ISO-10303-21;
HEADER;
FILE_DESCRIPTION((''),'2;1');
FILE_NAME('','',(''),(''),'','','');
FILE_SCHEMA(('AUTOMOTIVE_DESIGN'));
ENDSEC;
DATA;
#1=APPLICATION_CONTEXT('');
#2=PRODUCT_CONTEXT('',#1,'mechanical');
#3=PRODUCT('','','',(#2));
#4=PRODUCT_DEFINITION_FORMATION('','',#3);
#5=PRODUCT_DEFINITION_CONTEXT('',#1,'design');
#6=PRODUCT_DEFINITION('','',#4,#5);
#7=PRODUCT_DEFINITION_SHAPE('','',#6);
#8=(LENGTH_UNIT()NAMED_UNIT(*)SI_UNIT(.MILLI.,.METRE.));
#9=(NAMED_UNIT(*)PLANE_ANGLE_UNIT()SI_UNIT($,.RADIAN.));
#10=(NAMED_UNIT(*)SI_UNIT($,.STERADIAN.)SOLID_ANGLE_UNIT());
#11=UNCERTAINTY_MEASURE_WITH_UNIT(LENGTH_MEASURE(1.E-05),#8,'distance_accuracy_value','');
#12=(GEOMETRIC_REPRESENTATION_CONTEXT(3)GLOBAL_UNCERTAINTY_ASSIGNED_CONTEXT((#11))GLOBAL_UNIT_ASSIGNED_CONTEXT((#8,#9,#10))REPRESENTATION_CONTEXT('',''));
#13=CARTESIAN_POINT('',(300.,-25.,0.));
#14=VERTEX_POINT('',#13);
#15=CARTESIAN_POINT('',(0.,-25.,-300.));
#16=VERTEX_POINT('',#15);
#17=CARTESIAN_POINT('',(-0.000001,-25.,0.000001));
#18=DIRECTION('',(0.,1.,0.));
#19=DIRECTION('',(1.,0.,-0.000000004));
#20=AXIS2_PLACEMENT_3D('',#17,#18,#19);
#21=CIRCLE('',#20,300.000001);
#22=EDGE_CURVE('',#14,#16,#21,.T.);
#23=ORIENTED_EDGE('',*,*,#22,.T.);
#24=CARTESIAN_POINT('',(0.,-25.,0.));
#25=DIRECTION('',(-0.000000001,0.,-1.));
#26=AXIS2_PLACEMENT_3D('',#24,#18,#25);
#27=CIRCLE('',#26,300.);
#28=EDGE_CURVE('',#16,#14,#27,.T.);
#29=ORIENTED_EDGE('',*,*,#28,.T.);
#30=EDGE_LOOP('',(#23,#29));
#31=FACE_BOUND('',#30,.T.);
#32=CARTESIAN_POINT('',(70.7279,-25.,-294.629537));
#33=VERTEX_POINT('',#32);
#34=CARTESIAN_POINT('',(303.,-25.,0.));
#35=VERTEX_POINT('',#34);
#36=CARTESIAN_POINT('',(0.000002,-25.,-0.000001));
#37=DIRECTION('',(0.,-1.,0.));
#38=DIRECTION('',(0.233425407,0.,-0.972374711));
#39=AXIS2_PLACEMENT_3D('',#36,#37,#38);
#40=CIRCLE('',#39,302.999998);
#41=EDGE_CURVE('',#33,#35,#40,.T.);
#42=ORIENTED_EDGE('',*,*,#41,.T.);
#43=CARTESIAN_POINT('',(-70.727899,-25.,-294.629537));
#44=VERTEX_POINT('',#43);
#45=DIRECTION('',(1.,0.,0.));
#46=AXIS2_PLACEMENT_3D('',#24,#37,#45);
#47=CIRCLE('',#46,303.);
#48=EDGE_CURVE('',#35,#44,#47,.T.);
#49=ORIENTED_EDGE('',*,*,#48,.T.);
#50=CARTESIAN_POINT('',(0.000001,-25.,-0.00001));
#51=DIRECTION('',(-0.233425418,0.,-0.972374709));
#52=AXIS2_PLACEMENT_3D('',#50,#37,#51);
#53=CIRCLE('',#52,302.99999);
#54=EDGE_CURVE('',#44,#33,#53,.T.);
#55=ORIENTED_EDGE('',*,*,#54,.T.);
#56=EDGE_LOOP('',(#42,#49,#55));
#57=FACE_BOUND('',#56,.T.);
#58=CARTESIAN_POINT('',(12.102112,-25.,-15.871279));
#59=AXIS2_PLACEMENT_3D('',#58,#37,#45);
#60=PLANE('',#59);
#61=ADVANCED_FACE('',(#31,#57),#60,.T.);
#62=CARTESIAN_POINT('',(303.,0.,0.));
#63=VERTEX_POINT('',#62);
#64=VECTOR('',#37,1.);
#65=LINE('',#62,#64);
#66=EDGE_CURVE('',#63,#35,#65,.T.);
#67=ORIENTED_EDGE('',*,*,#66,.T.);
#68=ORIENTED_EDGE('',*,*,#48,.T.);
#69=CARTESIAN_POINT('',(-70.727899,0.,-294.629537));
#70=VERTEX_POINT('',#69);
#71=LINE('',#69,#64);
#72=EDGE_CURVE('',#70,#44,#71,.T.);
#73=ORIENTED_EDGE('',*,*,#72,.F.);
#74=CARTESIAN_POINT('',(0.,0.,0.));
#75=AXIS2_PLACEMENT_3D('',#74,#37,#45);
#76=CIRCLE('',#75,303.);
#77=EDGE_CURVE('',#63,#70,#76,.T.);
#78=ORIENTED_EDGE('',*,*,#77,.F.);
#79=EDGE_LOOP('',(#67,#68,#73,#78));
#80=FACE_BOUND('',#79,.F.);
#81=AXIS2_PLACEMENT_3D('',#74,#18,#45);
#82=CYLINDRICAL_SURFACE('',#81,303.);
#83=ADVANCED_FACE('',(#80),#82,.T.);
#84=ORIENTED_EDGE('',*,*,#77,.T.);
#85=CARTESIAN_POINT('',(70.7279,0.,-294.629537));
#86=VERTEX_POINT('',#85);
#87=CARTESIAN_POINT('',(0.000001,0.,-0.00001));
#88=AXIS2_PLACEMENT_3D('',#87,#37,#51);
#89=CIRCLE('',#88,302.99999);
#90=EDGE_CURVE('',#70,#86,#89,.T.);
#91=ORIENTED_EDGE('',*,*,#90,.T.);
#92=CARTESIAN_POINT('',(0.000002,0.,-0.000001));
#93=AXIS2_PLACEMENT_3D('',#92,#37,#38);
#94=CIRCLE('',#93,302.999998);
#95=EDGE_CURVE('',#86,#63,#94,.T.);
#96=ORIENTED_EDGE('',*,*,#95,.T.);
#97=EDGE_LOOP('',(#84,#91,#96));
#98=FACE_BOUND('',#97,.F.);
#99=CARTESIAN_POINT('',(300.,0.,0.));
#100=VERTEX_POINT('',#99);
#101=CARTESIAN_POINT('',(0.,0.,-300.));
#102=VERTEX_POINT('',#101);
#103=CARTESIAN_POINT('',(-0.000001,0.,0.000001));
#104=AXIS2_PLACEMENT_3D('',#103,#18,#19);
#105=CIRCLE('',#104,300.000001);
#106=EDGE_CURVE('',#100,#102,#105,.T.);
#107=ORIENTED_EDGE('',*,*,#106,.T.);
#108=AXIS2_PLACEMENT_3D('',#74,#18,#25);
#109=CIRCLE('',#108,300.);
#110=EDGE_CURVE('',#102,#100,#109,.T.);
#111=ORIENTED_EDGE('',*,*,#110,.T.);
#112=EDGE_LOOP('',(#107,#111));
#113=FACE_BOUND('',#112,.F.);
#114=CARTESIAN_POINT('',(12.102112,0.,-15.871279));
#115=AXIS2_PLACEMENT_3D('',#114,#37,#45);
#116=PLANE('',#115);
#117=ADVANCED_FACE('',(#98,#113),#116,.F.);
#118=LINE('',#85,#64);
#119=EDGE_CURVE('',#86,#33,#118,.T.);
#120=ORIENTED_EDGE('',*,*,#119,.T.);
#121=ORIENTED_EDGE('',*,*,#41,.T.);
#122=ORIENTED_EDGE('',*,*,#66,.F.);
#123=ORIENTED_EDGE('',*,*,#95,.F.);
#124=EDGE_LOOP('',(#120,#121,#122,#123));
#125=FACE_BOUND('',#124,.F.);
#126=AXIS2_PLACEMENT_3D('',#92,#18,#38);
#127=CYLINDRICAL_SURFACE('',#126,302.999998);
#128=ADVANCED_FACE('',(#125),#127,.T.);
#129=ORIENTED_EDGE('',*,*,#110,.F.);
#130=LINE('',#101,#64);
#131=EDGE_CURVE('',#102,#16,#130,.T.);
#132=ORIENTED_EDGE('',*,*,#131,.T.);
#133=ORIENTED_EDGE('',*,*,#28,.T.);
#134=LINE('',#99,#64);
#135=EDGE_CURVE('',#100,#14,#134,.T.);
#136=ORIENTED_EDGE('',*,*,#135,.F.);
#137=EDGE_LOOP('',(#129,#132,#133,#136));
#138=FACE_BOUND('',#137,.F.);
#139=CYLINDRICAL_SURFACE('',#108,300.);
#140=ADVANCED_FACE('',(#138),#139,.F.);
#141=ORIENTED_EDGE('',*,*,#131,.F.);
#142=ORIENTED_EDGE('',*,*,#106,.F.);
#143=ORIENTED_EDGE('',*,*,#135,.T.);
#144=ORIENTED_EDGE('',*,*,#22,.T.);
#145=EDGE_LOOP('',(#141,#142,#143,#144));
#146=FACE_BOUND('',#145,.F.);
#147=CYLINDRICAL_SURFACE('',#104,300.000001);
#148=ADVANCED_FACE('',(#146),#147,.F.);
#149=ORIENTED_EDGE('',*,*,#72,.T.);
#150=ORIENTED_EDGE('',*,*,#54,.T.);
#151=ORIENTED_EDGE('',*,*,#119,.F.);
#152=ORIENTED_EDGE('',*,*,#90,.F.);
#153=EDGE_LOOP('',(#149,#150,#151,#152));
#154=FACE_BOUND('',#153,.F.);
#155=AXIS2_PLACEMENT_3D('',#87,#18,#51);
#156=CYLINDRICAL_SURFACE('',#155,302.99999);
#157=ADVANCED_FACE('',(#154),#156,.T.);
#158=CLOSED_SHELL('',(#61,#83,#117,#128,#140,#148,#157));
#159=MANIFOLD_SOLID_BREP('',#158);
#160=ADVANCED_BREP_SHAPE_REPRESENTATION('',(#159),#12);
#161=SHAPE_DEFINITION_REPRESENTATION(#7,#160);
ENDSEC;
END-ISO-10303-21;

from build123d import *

# Parameters (mm, degrees)
F1_DEPTH = 25


with BuildPart() as f1:
    # F0 (on Front) → F1 (new body)
    with BuildSketch(Plane.XZ):
        with BuildLine():
            ThreePointArc((70.7279, -294.629537), (237.949106, -187.587908), (303, 0))
            ThreePointArc((303, 0), (-187.587908, 237.949105), (-70.727899, -294.629537))
            ThreePointArc((-70.727899, -294.629537), (0, -303), (70.7279, -294.629537))
        make_face()
        with BuildLine():
            ThreePointArc((0, -300), (-212.132034, 212.132034), (300, 0))
            ThreePointArc((300, 0), (212.132034, -212.132034), (0, -300))
        make_face(mode=Mode.SUBTRACT)
    extrude(amount=F1_DEPTH)


solid = f1.part
